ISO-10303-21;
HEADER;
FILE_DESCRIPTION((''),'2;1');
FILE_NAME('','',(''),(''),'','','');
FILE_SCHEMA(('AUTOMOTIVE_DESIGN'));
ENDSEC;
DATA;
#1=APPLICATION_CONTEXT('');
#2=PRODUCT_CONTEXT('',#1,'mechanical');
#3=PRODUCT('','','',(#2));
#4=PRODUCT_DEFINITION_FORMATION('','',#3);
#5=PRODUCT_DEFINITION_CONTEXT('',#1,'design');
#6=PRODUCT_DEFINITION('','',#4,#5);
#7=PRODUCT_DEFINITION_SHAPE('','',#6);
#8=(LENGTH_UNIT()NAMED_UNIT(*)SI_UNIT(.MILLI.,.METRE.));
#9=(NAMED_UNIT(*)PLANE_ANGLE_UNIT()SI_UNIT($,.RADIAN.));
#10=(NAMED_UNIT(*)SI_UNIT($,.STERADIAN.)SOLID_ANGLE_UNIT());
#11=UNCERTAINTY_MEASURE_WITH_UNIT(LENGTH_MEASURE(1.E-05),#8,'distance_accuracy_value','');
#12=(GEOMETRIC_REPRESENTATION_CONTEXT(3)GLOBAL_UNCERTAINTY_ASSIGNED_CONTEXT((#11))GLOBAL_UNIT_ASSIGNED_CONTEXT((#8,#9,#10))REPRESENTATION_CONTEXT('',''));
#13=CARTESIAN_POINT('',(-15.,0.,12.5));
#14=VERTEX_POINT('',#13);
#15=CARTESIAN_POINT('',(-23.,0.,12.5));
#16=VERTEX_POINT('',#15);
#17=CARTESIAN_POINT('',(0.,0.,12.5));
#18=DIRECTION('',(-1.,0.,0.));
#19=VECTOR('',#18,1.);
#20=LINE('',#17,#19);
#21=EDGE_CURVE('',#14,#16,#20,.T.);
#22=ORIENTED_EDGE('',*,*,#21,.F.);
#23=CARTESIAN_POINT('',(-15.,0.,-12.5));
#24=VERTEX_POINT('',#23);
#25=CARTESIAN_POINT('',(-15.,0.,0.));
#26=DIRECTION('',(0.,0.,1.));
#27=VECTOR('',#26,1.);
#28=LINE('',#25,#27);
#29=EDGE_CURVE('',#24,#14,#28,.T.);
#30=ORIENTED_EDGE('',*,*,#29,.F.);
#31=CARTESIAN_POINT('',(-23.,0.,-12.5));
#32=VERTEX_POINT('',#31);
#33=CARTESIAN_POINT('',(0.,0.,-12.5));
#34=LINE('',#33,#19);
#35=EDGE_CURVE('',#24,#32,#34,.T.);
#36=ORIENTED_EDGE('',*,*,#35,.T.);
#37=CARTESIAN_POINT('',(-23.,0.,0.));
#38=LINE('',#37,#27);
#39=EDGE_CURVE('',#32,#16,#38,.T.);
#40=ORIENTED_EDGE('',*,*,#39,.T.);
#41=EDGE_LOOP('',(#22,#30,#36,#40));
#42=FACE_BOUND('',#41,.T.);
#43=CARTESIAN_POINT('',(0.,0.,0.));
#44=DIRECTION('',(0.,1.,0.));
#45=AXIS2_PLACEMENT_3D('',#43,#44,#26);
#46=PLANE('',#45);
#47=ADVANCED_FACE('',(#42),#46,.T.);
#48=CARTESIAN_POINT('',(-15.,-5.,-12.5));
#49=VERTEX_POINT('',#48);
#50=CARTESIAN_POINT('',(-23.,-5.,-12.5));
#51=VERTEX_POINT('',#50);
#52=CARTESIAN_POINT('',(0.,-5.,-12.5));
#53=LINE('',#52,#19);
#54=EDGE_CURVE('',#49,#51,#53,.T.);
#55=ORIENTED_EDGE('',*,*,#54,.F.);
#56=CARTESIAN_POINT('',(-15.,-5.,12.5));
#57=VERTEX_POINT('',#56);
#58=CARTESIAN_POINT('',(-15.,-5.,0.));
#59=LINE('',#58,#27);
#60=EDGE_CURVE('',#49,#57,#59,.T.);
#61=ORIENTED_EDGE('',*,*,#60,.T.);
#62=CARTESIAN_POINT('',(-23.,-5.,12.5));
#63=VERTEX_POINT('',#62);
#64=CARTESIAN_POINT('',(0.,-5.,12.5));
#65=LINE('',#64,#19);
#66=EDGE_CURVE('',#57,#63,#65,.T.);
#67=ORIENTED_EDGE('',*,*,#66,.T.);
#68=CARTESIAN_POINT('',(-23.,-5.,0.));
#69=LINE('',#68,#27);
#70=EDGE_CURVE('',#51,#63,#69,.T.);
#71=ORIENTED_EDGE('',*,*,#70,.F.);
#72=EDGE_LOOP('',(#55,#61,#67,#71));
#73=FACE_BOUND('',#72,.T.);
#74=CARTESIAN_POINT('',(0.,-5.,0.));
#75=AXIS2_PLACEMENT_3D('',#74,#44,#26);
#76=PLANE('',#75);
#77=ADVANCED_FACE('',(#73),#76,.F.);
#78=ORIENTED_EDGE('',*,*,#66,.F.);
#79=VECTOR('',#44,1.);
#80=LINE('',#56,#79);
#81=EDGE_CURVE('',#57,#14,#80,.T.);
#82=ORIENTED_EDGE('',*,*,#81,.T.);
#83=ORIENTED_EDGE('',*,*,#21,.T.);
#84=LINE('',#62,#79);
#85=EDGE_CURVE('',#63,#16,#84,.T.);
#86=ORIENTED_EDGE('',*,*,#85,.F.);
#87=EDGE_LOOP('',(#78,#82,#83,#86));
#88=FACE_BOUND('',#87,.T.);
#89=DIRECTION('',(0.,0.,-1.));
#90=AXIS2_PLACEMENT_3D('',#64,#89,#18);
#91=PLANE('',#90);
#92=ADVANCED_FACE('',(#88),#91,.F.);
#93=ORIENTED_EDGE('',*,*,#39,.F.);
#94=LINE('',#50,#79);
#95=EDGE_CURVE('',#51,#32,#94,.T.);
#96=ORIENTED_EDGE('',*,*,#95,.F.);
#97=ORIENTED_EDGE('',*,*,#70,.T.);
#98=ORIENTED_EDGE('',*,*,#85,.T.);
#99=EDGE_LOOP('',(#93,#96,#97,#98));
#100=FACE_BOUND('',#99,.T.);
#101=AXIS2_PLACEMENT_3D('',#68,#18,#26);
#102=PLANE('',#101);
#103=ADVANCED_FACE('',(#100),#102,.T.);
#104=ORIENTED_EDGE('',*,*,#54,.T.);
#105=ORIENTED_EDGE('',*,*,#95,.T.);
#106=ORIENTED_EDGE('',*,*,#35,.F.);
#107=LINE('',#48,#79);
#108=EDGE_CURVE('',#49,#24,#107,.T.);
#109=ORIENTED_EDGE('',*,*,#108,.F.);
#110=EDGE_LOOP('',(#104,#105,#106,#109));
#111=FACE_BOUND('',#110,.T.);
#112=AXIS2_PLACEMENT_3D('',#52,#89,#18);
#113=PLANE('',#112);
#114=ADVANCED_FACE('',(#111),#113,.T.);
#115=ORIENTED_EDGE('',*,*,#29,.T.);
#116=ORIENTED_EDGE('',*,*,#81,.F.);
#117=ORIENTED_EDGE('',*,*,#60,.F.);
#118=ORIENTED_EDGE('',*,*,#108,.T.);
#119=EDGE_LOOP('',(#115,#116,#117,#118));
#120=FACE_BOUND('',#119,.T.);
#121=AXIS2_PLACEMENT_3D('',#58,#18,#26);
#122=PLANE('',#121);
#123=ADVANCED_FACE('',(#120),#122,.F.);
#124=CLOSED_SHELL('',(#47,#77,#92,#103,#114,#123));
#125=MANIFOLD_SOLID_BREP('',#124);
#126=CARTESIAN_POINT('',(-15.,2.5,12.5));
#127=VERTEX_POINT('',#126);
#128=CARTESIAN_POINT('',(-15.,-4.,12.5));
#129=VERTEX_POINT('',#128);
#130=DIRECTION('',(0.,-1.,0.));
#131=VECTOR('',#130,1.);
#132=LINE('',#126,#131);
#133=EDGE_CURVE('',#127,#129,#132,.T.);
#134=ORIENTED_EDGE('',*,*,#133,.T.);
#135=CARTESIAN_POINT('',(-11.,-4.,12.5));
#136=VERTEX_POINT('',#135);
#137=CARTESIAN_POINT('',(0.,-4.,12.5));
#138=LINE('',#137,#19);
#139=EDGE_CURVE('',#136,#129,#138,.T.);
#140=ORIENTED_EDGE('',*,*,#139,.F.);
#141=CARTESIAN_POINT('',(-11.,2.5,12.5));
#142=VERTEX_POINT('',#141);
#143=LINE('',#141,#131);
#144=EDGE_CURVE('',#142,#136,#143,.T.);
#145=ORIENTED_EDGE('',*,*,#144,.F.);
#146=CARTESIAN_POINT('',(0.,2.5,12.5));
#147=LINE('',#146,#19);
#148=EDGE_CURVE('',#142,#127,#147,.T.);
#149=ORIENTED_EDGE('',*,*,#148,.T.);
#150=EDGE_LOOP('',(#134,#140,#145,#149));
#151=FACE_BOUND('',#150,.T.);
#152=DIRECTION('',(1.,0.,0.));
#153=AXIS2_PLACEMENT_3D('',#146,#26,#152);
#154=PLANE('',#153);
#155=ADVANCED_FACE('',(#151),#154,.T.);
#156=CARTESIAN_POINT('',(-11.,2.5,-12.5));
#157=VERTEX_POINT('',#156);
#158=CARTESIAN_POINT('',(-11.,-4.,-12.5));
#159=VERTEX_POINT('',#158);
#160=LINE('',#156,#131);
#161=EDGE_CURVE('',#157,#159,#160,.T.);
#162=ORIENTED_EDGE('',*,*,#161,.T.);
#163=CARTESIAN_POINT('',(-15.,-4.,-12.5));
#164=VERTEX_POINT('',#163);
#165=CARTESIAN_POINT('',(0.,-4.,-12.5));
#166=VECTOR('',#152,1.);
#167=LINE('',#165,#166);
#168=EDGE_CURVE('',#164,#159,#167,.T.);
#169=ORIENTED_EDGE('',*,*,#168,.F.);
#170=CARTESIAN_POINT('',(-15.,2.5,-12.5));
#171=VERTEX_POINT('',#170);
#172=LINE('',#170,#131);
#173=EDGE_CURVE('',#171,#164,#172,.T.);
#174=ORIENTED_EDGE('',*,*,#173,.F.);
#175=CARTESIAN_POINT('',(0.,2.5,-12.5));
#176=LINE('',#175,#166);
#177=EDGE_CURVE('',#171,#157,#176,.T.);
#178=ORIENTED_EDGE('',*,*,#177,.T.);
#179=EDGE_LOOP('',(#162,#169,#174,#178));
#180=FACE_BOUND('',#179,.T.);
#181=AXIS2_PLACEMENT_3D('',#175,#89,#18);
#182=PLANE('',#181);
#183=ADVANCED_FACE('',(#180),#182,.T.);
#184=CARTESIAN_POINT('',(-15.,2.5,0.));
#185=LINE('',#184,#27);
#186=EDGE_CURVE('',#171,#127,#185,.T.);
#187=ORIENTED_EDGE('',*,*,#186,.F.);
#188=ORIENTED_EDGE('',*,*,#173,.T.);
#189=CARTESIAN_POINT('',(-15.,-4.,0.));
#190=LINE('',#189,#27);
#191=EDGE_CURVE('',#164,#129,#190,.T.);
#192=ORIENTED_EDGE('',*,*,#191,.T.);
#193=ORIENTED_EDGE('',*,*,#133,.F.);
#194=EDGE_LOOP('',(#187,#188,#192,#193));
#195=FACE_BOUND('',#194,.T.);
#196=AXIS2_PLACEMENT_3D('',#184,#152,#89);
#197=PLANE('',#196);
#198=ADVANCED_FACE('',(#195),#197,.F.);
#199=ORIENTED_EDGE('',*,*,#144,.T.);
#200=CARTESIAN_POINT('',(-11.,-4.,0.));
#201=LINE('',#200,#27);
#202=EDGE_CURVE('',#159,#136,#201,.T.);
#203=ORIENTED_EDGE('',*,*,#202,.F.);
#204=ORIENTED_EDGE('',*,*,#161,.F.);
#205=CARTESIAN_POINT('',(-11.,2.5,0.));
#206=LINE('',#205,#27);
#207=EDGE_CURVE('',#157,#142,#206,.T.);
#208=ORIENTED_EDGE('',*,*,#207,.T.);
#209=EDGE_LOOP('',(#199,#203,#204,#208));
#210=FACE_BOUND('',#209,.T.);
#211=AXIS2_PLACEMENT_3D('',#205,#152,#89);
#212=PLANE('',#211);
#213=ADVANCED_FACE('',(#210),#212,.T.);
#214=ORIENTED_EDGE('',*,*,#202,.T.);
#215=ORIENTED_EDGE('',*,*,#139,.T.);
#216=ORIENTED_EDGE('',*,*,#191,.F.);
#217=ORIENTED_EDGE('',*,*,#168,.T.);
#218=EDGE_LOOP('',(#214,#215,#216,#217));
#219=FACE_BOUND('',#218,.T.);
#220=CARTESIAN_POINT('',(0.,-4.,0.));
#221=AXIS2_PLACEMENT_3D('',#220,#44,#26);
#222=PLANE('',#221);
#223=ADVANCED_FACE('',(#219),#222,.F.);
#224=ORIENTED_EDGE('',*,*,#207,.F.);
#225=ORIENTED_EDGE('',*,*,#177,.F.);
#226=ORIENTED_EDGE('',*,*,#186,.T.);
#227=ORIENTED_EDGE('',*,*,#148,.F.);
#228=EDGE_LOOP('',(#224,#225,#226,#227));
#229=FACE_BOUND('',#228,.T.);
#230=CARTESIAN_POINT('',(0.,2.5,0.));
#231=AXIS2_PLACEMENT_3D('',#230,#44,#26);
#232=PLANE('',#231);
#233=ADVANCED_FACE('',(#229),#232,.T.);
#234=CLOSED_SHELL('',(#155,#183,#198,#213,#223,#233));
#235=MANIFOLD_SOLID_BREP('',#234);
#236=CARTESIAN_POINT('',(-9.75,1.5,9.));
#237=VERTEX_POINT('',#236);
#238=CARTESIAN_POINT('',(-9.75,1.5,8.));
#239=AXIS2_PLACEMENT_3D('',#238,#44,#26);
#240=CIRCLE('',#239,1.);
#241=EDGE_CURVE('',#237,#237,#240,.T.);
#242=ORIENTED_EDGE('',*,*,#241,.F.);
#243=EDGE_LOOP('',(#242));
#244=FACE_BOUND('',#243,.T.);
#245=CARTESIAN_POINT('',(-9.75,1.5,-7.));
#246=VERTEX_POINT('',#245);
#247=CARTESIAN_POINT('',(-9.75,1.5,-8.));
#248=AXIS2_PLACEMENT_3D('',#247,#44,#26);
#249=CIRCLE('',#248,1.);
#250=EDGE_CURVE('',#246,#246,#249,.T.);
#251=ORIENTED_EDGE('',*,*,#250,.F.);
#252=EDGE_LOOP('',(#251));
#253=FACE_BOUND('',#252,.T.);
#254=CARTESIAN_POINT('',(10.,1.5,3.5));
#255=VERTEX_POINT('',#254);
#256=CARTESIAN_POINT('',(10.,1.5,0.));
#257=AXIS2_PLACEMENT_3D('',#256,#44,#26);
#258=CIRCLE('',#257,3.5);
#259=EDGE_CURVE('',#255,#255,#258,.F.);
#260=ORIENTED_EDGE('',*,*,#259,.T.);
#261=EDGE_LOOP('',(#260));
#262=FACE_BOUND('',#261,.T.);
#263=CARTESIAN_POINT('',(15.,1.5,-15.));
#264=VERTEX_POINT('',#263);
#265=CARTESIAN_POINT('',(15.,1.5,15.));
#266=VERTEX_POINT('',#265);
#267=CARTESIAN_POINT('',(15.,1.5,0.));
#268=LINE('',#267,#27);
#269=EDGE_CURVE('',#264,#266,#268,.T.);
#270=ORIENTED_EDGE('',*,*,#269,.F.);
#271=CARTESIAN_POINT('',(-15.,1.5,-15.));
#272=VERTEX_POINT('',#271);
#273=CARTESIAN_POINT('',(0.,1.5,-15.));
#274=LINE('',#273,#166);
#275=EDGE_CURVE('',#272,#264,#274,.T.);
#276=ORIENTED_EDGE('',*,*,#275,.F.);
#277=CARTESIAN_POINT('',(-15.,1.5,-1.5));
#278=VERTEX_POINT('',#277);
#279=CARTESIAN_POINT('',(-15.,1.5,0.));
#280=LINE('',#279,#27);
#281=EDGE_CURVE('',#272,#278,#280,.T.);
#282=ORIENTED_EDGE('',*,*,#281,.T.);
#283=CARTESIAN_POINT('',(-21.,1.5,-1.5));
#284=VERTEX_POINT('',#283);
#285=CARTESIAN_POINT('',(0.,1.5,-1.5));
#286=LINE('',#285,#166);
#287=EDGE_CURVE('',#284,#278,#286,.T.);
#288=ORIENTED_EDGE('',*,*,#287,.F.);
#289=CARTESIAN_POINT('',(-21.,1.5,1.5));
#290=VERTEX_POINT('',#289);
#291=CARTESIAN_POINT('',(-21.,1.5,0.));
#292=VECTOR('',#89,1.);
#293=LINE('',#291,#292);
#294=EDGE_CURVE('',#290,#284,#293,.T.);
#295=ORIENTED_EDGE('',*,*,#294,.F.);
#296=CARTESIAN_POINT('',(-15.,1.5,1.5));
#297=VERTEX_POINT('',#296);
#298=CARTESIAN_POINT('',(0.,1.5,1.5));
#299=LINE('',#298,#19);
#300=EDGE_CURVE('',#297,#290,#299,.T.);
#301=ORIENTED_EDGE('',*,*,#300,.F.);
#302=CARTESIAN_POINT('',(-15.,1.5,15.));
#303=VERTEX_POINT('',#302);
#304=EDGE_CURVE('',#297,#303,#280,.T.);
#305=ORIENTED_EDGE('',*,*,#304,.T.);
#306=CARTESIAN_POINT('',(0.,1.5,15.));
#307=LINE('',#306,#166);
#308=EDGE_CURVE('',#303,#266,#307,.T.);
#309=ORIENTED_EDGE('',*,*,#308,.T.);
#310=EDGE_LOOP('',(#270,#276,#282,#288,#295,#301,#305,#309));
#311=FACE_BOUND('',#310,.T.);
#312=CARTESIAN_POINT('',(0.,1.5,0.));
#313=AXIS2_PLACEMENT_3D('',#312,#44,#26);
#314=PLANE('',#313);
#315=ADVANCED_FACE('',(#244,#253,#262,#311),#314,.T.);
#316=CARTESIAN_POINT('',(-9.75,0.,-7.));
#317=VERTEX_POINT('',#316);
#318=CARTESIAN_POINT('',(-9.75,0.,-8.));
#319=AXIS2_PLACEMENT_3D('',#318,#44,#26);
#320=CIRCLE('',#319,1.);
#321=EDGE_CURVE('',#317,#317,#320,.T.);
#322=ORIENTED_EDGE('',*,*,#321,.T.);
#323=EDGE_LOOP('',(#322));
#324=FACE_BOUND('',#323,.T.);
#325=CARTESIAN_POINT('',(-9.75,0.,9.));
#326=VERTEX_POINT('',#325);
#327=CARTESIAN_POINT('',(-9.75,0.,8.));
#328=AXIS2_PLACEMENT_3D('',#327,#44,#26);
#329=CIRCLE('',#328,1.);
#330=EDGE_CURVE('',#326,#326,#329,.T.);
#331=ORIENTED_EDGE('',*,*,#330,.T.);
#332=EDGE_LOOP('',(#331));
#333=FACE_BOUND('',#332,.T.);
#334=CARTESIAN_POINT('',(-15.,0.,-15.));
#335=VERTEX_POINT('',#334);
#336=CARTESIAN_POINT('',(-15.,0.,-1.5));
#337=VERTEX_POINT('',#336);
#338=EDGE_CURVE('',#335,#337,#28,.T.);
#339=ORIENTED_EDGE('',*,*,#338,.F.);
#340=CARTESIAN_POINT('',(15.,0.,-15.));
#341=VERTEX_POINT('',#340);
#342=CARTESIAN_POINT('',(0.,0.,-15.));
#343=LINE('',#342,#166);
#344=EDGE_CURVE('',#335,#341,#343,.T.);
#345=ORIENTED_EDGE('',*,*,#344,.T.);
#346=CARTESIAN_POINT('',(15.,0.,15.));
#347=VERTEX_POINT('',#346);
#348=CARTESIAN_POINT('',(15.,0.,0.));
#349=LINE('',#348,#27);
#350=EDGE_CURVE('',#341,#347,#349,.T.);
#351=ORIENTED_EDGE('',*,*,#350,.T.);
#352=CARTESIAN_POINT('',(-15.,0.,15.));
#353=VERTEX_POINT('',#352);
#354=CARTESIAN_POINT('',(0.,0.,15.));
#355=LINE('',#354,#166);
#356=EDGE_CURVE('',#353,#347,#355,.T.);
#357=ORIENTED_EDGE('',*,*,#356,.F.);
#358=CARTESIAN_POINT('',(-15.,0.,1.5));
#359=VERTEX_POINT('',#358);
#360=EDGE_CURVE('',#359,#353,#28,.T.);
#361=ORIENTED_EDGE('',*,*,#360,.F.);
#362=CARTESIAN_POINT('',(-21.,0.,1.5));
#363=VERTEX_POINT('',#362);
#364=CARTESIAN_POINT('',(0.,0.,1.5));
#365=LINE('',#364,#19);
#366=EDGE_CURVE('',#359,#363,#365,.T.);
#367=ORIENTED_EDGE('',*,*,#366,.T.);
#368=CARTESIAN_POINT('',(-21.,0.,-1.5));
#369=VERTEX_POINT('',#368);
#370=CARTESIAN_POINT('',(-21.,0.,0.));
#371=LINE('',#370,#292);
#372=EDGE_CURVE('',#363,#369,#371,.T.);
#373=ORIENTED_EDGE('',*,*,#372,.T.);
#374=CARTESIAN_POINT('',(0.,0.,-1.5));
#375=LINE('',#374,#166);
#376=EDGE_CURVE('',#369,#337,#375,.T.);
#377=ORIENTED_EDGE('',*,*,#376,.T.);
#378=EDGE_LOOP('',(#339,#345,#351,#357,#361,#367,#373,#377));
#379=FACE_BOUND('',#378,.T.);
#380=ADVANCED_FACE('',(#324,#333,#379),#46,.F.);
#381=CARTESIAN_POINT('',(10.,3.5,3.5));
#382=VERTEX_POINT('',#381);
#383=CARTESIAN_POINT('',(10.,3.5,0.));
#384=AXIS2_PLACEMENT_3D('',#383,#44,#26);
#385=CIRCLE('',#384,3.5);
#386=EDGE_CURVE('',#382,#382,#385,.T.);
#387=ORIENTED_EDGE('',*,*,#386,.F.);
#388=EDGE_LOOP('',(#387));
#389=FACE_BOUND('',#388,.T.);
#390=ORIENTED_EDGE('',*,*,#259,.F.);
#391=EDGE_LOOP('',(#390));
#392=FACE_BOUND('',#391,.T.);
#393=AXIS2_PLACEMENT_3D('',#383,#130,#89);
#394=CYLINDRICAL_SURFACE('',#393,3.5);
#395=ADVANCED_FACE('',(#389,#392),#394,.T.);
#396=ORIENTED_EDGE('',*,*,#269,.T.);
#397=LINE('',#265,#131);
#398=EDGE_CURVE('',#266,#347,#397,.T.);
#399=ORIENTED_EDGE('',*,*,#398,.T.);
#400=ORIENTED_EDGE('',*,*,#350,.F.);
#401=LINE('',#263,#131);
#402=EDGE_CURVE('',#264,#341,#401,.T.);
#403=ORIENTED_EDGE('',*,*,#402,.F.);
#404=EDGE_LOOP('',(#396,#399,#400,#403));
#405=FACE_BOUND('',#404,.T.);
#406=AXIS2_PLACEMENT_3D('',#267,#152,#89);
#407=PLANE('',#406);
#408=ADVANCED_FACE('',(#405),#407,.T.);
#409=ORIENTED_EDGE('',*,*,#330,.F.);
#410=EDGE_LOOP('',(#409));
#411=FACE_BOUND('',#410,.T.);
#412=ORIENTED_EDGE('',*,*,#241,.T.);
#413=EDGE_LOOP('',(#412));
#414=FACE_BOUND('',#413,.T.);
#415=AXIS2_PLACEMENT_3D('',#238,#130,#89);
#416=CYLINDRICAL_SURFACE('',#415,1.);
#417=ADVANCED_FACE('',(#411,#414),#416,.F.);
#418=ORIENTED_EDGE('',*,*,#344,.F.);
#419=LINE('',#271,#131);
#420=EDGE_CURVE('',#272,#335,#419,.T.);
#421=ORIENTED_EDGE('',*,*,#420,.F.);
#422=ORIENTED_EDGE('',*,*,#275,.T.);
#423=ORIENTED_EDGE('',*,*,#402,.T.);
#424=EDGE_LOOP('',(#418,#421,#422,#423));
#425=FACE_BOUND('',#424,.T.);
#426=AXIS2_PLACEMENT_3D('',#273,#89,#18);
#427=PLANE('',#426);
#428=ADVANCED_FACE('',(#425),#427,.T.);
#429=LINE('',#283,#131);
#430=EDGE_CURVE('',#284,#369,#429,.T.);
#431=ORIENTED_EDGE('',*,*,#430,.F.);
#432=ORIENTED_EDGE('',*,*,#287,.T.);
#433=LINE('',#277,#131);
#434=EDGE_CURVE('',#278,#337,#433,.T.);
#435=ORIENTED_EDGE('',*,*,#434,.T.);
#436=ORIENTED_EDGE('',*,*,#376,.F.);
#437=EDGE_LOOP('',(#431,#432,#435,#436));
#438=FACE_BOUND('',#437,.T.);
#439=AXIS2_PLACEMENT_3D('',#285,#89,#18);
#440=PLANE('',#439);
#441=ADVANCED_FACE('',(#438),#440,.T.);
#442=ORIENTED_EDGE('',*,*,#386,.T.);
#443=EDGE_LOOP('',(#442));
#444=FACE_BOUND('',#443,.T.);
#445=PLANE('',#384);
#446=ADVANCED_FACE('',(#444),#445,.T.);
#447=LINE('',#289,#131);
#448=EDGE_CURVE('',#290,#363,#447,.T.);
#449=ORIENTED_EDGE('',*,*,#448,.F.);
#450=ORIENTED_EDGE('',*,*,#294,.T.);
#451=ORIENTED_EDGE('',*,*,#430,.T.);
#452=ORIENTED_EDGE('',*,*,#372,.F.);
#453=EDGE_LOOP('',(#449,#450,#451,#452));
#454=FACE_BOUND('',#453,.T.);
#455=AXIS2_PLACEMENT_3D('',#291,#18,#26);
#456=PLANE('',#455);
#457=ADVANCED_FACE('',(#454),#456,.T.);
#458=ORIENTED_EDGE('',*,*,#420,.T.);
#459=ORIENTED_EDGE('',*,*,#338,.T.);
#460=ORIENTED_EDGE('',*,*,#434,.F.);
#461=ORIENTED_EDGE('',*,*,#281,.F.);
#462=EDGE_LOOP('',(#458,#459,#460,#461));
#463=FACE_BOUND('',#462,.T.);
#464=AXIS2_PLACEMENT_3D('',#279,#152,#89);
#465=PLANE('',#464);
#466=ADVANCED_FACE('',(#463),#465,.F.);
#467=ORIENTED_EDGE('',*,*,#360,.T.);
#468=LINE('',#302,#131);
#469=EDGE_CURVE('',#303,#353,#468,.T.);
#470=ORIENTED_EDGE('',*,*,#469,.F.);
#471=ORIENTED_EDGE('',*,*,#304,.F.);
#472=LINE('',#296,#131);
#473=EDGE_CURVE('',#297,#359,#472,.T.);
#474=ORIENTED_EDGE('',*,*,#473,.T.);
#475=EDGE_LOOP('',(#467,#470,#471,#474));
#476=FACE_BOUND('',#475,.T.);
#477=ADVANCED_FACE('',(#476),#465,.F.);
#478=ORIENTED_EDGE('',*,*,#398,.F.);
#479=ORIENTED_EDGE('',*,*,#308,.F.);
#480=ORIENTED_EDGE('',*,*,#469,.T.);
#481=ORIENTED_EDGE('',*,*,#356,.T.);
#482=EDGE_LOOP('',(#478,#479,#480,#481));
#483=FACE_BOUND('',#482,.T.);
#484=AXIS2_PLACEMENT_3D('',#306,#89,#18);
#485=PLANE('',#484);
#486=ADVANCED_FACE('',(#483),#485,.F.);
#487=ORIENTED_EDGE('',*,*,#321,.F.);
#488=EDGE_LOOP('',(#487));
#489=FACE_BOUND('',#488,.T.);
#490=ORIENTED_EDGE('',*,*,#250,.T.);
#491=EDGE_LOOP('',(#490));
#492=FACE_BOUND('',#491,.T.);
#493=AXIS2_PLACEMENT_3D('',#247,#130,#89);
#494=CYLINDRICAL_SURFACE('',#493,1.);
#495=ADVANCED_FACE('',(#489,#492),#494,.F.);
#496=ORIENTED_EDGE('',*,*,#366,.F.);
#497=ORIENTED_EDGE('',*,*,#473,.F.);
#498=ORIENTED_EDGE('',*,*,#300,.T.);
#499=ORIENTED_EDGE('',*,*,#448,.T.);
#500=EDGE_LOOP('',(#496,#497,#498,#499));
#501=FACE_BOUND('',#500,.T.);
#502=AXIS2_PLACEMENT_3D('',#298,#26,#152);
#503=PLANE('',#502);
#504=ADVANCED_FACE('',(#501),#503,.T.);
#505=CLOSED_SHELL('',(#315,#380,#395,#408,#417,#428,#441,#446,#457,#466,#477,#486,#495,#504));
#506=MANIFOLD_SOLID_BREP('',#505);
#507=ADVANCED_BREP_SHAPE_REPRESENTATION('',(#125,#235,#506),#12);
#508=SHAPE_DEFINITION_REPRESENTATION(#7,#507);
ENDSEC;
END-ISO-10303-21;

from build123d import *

# Parameters (mm, degrees)
SKETCH_1_R           = 1
EXTRUDE_1_DEPTH      = 1.5
SKETCH_1_3_W         = 8
SKETCH_1_3_H         = 25
EXTRUDE_2_DEPTH      = 5
EXTRUDE_3_DEPTH      = 2.5
EXTRUDE_3_DEPTH_BACK = 4
SKETCH_1_5_R         = 3.5
EXTRUDE_4_DEPTH      = 3.5


with BuildPart() as part:
    # Эскиз1 → Бобышка-Вытянуть1 (new body)
    with BuildSketch(Plane(origin=(0, 0, 0), x_dir=(1, 0, 0), z_dir=(0, 1, 0))):
        Polygon((-21, -1.5), (-15, -1.5), (-15, -15), (15, -15), (15, 15), (-15, 15), (-15, 1.5), (-21, 1.5), align=None)
        with Locations((-9.75, -8)):
            Circle(SKETCH_1_R, mode=Mode.SUBTRACT)
        with Locations((-9.75, 8)):
            Circle(SKETCH_1_R, mode=Mode.SUBTRACT)
    extrude(amount=EXTRUDE_1_DEPTH)

    # Эскиз1<5> → Бобышка-Вытянуть4 (add)
    with BuildSketch(Plane(origin=(0, 0, 0), x_dir=(1, 0, 0), z_dir=(0, 1, 0))):
        with Locations((10, 0)):
            Circle(SKETCH_1_5_R)
    extrude(amount=EXTRUDE_4_DEPTH)


with BuildPart() as body_2:
    # Эскиз1<3> → Бобышка-Вытянуть2 (new body)
    with BuildSketch(Plane(origin=(0, 0, 0), x_dir=(1, 0, 0), z_dir=(0, 1, 0))):
        with Locations((-19, 0)):
            Rectangle(SKETCH_1_3_W, SKETCH_1_3_H)
    extrude(amount=-EXTRUDE_2_DEPTH)


with BuildPart() as body_3:
    # Эскиз1<4> → Бобышка-Вытянуть3 (new, two sides: drawn at the far end of the back side and taken through both)
    with BuildSketch(Plane(origin=(0, 0, 0), x_dir=(1, 0, 0), z_dir=(0, 1, 0)).offset(-EXTRUDE_3_DEPTH_BACK)):
        Polygon((-15, 1.5), (-15, -1.5), (-15, -12.5), (-11, -12.5), (-11, 12.5), (-15, 12.5), align=None)
    extrude(amount=EXTRUDE_3_DEPTH + EXTRUDE_3_DEPTH_BACK)


solid = Compound([part.part, body_2.part, body_3.part])
